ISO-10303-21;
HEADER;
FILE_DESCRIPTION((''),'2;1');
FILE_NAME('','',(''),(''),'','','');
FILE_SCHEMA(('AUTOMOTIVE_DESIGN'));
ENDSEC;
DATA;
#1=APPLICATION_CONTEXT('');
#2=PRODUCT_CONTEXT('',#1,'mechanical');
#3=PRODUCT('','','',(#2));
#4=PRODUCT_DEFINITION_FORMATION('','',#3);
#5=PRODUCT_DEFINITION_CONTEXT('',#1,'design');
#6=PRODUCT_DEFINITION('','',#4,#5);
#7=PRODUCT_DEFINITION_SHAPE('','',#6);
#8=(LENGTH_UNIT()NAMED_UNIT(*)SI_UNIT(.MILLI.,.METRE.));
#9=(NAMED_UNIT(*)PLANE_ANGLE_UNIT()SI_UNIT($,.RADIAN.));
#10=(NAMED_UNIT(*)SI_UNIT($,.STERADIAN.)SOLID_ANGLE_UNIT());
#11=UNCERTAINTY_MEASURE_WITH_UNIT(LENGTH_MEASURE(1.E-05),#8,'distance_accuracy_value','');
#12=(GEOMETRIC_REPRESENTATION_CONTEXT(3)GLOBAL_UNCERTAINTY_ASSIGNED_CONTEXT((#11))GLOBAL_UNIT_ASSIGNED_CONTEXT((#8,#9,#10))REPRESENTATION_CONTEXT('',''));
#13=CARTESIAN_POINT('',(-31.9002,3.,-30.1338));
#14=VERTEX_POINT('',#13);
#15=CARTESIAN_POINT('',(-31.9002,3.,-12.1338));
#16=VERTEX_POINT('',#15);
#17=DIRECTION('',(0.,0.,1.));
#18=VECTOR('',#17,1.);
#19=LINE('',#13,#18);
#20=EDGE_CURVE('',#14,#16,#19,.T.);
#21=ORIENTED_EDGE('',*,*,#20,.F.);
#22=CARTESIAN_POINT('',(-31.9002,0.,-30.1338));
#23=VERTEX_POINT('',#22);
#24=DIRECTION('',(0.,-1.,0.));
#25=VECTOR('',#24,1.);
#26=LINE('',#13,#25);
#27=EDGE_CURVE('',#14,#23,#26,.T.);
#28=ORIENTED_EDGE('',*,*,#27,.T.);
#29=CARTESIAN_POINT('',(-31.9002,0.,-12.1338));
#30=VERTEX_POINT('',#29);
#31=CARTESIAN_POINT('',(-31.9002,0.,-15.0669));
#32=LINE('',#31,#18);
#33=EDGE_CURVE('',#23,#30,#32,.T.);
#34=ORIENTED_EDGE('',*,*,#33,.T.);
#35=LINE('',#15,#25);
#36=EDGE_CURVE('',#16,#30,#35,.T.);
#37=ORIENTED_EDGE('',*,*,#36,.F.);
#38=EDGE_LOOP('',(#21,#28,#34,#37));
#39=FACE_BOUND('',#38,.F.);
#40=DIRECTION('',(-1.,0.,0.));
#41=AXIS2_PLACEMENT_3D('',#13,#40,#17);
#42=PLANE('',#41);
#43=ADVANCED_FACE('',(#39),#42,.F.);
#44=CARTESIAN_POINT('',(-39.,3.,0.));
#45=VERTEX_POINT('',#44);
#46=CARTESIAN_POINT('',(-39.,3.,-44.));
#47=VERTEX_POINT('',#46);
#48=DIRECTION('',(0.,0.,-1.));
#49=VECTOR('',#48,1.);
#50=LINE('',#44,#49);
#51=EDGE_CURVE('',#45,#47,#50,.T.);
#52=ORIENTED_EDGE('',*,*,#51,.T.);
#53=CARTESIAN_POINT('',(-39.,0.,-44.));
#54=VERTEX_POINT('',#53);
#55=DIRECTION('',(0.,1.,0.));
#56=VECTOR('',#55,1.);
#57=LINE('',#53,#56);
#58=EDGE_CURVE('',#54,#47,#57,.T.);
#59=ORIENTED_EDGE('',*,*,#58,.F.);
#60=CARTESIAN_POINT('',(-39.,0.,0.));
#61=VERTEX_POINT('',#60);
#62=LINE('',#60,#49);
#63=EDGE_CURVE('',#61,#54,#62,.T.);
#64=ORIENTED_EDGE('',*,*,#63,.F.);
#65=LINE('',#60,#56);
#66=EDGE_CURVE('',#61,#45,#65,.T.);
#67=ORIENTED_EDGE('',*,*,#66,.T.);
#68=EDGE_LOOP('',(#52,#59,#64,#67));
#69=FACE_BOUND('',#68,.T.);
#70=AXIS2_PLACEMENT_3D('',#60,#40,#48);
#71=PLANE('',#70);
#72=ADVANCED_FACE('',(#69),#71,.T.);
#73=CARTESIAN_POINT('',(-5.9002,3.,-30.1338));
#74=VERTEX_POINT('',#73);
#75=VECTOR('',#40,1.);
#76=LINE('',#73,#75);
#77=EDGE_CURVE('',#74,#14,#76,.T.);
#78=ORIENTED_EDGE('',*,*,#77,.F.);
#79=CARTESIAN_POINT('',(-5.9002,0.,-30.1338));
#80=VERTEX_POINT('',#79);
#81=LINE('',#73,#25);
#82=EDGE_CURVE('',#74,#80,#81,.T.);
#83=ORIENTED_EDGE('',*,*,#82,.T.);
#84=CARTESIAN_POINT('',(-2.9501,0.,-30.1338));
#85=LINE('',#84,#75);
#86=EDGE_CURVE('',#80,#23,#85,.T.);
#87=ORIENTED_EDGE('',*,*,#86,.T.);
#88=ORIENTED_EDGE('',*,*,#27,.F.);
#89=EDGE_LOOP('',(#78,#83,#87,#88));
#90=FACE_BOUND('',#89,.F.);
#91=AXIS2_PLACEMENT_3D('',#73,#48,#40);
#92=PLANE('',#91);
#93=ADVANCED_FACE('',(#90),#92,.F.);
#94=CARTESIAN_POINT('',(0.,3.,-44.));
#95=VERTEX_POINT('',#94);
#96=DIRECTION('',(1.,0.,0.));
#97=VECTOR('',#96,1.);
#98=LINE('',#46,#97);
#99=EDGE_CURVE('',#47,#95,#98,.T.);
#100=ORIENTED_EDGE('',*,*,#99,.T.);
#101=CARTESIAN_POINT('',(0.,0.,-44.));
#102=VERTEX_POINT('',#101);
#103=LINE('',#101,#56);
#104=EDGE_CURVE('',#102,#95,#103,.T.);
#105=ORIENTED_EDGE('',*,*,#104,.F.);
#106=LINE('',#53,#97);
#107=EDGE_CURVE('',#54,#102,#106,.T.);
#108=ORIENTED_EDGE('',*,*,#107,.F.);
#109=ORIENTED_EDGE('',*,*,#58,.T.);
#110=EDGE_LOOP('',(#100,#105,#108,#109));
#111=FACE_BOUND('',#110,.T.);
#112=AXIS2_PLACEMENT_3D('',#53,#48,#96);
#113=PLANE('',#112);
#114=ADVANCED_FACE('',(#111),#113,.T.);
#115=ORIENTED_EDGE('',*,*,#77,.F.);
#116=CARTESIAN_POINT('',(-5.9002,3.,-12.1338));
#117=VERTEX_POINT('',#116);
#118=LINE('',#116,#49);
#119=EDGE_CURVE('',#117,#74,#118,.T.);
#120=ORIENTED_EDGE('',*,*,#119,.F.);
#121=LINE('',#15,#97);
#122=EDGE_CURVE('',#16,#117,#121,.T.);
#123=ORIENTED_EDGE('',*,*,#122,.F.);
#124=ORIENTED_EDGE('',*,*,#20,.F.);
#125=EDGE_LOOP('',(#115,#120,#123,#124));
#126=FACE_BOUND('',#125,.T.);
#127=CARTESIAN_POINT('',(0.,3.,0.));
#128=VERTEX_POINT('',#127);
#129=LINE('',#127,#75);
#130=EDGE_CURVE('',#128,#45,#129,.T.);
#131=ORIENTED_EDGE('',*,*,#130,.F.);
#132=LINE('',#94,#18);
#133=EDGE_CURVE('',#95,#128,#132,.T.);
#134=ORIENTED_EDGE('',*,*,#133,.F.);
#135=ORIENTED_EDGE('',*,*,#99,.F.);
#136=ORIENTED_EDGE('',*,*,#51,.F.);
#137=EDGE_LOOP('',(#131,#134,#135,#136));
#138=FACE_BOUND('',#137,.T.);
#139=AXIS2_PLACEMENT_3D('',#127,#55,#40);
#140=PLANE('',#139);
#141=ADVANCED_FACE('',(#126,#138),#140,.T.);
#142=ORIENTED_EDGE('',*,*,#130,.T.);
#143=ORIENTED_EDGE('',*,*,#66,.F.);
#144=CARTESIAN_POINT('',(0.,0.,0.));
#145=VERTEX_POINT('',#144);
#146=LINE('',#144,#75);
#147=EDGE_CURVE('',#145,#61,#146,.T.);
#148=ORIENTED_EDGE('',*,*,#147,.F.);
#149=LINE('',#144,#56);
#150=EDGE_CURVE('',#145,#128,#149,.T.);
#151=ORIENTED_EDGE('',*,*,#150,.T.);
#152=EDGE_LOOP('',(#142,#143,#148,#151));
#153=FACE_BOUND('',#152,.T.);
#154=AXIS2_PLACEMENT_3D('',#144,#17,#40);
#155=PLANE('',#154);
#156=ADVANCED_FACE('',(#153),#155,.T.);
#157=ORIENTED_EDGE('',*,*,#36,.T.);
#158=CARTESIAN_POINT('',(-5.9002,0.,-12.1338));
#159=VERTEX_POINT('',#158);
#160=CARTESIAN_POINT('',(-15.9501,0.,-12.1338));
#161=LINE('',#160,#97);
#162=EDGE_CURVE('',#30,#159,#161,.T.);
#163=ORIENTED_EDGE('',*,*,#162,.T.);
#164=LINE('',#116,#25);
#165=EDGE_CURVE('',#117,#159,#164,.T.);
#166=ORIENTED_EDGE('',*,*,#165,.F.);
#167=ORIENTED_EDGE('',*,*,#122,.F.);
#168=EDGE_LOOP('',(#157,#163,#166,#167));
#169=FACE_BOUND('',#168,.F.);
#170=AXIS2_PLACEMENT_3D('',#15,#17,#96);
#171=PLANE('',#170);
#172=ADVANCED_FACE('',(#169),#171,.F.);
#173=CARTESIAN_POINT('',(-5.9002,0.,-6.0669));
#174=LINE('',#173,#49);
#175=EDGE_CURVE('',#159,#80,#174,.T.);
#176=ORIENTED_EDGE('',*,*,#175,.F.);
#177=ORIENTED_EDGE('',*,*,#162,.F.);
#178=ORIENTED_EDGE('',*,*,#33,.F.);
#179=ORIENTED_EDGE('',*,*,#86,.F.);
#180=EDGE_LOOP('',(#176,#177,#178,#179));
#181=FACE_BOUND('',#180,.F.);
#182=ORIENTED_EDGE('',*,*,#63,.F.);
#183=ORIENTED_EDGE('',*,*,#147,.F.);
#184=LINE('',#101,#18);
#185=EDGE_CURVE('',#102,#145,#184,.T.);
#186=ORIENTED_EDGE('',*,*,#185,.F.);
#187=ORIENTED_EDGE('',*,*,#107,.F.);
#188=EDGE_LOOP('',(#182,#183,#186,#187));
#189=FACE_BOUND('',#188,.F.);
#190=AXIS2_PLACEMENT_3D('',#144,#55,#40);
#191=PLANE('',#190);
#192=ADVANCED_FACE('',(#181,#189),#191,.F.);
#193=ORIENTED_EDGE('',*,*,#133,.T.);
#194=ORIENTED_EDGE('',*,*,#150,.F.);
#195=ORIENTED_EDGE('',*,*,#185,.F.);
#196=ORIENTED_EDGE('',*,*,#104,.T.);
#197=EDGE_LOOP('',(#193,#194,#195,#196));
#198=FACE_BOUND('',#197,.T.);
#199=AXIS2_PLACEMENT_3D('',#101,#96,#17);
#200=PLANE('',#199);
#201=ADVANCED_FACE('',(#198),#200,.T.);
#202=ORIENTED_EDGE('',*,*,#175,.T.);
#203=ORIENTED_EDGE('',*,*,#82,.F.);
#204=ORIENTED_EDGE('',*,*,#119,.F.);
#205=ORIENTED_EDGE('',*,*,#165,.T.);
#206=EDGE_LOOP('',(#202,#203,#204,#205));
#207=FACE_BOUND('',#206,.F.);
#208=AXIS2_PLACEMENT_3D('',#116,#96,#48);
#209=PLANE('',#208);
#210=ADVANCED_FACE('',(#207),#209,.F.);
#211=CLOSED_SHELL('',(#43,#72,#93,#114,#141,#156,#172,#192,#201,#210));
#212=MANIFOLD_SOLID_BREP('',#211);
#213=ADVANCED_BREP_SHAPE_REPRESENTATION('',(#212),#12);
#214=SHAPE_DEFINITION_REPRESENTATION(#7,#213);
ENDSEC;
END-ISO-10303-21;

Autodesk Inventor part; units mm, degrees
ref_plane "YZ Plane" through (0, 0, 0) normal (1, 0, 0) x (0, 1, 0)
ref_plane "XZ Plane" through (0, 0, 0) normal (0, 1, 0) x (-1, 0, 0)
ref_plane "XY Plane" through (0, 0, 0) normal (0, 0, 1) x (1, 0, 0)
sketch "Sketch1" plane through (0, 0, 0) normal (0, 1, 0) x (-1, 0, 0)
  line L0 (0, 0) -> (39, 0)
  line L1 (39, 0) -> (39, -44)
  line L2 (39, -44) -> (0, -44)
  line L3 (0, -44) -> (0, 0)
  dimension "d0" = 39
  dimension "d1" = 44
extrude "Extrusion1" add sketch "Sketch1" along normal blind 3
sketch "Sketch2" plane through (0, 3, 0) normal (0, 1, 0) x (1, 0, 0)
  line L0 (-31.9002, 12.1338) -> (-5.9002, 12.1338)
  line L1 (-5.9002, 12.1338) -> (-5.9002, 30.1338)
  line L2 (-5.9002, 30.1338) -> (-31.9002, 30.1338)
  line L3 (-31.9002, 30.1338) -> (-31.9002, 12.1338)
  point P0 (0, 0)
  dimension "d4" = 26
  dimension "d5" = 18
extrude "Extrusion2" cut sketch "Sketch2" against normal blind 3.25
sketch "Sketch3" plane through (0, 3, 0) normal (0, 1, 0) x (1, 0, 0)
  point P0 (0, 0)
properties part number "SpeakerSurfaceFinal"
